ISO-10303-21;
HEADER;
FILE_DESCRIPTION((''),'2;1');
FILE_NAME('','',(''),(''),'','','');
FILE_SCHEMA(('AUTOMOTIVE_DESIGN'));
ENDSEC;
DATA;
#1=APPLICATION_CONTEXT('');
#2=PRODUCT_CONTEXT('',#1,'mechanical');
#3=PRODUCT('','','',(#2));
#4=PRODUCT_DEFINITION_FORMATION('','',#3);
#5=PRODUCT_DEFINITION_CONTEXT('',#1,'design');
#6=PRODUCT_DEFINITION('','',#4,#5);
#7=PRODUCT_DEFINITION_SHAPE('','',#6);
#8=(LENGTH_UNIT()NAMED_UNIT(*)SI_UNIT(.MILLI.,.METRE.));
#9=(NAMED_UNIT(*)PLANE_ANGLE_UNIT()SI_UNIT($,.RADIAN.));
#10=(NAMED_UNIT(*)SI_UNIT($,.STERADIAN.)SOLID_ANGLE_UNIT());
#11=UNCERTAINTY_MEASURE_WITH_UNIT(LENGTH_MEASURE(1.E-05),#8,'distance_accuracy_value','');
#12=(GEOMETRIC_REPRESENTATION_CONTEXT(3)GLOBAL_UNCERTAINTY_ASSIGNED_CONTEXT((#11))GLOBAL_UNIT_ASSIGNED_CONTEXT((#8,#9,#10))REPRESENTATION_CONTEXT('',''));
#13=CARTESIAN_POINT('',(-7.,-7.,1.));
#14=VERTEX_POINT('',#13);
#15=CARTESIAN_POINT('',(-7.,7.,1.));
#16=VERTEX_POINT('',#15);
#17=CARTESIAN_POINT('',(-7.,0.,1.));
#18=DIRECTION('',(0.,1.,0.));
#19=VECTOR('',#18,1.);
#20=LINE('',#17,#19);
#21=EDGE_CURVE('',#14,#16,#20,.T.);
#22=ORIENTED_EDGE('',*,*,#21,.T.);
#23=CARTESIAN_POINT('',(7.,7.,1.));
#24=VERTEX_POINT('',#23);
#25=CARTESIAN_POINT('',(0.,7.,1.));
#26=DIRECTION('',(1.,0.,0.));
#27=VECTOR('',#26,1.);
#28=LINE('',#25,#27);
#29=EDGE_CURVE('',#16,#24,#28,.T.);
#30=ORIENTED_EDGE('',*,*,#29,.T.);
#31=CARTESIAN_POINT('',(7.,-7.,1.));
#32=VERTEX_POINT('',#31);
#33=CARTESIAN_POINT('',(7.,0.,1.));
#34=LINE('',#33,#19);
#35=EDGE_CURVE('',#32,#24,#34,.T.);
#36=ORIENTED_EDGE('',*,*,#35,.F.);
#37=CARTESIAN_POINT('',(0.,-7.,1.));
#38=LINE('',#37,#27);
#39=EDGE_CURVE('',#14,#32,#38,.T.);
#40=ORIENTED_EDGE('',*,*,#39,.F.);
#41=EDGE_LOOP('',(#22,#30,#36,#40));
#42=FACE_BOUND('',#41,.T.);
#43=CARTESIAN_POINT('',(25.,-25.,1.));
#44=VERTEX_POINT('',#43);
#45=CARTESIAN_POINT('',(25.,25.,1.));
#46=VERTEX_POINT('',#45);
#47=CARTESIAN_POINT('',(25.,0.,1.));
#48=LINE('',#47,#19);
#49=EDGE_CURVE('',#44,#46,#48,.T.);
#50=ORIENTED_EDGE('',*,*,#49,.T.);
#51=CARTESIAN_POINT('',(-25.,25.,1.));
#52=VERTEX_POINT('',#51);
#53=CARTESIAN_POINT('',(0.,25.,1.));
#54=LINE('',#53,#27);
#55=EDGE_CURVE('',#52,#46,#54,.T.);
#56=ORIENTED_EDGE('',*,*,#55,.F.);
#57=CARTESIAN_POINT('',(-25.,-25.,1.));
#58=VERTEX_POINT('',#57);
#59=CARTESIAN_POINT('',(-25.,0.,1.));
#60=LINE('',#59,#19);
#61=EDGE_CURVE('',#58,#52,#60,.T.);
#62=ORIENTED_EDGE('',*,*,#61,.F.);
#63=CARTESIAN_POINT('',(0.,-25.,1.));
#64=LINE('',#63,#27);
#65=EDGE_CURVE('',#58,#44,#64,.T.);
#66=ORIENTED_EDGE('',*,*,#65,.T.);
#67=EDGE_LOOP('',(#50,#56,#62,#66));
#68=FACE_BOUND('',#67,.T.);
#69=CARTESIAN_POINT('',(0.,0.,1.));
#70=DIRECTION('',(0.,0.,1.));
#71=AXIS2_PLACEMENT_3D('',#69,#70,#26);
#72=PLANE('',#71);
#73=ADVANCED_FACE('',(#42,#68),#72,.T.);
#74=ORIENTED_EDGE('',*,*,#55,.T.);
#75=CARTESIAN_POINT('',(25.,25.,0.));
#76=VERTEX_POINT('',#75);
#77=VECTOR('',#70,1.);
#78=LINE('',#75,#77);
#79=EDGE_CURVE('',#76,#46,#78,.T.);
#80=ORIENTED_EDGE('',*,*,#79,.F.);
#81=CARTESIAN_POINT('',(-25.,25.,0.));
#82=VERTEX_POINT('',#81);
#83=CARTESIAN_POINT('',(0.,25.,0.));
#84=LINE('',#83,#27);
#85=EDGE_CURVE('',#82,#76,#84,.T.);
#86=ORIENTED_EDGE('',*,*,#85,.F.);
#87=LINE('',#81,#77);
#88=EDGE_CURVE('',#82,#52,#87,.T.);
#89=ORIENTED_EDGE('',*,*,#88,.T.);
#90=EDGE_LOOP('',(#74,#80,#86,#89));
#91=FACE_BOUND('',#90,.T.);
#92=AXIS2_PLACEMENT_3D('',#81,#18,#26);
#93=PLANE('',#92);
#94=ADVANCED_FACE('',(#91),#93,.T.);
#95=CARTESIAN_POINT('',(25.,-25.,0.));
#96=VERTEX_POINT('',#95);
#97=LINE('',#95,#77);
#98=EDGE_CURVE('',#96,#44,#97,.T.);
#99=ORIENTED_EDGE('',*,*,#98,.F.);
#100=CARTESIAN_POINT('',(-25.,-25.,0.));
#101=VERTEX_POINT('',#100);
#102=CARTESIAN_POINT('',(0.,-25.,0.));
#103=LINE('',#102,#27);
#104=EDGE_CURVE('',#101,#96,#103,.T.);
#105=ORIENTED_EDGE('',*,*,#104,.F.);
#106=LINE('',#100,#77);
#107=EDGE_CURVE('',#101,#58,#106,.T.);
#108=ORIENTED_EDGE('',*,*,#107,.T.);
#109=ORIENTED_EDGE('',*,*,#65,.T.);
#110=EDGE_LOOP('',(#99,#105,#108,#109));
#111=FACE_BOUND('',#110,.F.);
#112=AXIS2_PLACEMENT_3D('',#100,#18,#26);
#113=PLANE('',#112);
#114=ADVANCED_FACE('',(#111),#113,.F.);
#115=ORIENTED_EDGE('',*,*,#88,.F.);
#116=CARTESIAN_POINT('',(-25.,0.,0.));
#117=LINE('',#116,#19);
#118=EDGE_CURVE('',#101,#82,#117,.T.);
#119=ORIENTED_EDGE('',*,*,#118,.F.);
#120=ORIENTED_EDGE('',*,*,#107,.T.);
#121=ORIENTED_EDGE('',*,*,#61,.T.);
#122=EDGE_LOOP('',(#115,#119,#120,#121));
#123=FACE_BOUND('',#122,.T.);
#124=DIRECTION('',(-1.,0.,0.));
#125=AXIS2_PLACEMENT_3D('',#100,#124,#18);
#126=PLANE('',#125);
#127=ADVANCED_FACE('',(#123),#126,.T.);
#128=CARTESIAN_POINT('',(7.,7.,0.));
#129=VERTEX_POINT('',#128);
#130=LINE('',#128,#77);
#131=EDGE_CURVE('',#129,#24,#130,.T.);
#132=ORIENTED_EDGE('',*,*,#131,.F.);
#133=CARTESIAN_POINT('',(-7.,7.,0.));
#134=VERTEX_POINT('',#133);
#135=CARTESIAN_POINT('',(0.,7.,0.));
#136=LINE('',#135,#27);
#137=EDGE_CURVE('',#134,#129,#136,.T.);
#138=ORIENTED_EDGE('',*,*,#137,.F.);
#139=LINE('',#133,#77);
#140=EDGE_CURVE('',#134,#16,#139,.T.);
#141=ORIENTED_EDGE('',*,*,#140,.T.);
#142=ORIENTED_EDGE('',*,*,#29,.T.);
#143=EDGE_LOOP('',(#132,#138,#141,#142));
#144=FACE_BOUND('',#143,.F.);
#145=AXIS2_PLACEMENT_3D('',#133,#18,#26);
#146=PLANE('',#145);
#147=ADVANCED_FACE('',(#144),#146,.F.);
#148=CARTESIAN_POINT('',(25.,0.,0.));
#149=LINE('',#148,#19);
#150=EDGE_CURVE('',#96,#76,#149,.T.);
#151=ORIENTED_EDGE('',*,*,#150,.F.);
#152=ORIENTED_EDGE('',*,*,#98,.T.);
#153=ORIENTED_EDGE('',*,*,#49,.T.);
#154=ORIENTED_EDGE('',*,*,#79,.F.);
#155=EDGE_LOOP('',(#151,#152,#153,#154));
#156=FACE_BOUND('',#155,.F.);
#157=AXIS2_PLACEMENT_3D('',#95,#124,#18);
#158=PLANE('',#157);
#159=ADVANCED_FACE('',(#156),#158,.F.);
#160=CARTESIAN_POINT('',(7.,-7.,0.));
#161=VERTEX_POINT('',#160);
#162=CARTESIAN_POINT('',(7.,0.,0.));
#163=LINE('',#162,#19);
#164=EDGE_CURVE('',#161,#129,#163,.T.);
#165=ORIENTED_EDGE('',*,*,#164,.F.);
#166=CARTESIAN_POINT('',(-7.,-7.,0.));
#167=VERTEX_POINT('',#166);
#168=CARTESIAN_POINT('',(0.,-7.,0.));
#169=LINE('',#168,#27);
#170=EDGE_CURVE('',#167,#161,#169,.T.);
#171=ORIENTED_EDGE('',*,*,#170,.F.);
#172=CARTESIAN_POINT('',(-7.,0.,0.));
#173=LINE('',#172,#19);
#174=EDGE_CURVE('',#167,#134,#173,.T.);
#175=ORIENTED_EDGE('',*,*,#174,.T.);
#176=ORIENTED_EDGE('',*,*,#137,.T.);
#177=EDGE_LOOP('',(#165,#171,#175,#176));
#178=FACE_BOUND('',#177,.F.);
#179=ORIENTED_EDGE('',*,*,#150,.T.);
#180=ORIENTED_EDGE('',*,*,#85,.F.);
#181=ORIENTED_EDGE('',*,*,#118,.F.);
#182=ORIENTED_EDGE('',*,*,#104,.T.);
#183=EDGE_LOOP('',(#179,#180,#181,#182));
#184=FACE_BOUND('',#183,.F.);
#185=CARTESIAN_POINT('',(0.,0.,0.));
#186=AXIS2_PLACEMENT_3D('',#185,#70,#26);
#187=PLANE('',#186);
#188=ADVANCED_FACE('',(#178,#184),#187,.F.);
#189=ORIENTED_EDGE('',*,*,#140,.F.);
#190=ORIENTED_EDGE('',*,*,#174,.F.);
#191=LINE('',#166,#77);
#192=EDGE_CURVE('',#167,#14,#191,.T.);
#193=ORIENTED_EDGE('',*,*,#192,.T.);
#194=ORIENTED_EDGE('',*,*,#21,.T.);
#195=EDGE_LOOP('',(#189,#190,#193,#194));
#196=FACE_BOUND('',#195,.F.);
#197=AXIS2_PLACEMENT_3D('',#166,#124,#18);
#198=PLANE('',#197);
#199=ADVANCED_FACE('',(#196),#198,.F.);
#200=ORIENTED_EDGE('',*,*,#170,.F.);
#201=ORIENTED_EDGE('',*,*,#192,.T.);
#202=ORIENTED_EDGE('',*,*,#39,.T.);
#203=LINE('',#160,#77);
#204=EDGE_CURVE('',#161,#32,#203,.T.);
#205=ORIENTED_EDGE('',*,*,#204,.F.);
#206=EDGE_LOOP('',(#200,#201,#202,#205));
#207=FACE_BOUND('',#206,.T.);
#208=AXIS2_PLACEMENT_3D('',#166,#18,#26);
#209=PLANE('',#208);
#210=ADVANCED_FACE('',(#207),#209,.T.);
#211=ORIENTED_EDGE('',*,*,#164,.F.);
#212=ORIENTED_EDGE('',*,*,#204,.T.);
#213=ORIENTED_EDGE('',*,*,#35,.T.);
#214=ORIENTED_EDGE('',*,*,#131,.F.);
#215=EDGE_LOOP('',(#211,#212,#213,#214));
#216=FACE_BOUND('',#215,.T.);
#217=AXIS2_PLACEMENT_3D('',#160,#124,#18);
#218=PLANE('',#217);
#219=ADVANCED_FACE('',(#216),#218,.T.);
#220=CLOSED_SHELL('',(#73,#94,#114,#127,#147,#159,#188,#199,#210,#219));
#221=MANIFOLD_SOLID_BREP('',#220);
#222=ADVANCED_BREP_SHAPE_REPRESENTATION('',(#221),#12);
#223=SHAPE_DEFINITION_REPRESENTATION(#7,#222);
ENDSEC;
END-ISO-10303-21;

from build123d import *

# Parameters (mm, degrees)
SKETCH_W   = 50
SKETCH_H   = 50
SKETCH_W_2 = 14
SKETCH_H_2 = 14
PAD_DEPTH  = 1


with BuildPart() as part:
    # Sketch → Pad (new body)
    with BuildSketch(Plane.XY):
        Rectangle(SKETCH_W, SKETCH_H)
        Rectangle(SKETCH_W_2, SKETCH_H_2, mode=Mode.SUBTRACT)
    extrude(amount=PAD_DEPTH)


solid = part.part
